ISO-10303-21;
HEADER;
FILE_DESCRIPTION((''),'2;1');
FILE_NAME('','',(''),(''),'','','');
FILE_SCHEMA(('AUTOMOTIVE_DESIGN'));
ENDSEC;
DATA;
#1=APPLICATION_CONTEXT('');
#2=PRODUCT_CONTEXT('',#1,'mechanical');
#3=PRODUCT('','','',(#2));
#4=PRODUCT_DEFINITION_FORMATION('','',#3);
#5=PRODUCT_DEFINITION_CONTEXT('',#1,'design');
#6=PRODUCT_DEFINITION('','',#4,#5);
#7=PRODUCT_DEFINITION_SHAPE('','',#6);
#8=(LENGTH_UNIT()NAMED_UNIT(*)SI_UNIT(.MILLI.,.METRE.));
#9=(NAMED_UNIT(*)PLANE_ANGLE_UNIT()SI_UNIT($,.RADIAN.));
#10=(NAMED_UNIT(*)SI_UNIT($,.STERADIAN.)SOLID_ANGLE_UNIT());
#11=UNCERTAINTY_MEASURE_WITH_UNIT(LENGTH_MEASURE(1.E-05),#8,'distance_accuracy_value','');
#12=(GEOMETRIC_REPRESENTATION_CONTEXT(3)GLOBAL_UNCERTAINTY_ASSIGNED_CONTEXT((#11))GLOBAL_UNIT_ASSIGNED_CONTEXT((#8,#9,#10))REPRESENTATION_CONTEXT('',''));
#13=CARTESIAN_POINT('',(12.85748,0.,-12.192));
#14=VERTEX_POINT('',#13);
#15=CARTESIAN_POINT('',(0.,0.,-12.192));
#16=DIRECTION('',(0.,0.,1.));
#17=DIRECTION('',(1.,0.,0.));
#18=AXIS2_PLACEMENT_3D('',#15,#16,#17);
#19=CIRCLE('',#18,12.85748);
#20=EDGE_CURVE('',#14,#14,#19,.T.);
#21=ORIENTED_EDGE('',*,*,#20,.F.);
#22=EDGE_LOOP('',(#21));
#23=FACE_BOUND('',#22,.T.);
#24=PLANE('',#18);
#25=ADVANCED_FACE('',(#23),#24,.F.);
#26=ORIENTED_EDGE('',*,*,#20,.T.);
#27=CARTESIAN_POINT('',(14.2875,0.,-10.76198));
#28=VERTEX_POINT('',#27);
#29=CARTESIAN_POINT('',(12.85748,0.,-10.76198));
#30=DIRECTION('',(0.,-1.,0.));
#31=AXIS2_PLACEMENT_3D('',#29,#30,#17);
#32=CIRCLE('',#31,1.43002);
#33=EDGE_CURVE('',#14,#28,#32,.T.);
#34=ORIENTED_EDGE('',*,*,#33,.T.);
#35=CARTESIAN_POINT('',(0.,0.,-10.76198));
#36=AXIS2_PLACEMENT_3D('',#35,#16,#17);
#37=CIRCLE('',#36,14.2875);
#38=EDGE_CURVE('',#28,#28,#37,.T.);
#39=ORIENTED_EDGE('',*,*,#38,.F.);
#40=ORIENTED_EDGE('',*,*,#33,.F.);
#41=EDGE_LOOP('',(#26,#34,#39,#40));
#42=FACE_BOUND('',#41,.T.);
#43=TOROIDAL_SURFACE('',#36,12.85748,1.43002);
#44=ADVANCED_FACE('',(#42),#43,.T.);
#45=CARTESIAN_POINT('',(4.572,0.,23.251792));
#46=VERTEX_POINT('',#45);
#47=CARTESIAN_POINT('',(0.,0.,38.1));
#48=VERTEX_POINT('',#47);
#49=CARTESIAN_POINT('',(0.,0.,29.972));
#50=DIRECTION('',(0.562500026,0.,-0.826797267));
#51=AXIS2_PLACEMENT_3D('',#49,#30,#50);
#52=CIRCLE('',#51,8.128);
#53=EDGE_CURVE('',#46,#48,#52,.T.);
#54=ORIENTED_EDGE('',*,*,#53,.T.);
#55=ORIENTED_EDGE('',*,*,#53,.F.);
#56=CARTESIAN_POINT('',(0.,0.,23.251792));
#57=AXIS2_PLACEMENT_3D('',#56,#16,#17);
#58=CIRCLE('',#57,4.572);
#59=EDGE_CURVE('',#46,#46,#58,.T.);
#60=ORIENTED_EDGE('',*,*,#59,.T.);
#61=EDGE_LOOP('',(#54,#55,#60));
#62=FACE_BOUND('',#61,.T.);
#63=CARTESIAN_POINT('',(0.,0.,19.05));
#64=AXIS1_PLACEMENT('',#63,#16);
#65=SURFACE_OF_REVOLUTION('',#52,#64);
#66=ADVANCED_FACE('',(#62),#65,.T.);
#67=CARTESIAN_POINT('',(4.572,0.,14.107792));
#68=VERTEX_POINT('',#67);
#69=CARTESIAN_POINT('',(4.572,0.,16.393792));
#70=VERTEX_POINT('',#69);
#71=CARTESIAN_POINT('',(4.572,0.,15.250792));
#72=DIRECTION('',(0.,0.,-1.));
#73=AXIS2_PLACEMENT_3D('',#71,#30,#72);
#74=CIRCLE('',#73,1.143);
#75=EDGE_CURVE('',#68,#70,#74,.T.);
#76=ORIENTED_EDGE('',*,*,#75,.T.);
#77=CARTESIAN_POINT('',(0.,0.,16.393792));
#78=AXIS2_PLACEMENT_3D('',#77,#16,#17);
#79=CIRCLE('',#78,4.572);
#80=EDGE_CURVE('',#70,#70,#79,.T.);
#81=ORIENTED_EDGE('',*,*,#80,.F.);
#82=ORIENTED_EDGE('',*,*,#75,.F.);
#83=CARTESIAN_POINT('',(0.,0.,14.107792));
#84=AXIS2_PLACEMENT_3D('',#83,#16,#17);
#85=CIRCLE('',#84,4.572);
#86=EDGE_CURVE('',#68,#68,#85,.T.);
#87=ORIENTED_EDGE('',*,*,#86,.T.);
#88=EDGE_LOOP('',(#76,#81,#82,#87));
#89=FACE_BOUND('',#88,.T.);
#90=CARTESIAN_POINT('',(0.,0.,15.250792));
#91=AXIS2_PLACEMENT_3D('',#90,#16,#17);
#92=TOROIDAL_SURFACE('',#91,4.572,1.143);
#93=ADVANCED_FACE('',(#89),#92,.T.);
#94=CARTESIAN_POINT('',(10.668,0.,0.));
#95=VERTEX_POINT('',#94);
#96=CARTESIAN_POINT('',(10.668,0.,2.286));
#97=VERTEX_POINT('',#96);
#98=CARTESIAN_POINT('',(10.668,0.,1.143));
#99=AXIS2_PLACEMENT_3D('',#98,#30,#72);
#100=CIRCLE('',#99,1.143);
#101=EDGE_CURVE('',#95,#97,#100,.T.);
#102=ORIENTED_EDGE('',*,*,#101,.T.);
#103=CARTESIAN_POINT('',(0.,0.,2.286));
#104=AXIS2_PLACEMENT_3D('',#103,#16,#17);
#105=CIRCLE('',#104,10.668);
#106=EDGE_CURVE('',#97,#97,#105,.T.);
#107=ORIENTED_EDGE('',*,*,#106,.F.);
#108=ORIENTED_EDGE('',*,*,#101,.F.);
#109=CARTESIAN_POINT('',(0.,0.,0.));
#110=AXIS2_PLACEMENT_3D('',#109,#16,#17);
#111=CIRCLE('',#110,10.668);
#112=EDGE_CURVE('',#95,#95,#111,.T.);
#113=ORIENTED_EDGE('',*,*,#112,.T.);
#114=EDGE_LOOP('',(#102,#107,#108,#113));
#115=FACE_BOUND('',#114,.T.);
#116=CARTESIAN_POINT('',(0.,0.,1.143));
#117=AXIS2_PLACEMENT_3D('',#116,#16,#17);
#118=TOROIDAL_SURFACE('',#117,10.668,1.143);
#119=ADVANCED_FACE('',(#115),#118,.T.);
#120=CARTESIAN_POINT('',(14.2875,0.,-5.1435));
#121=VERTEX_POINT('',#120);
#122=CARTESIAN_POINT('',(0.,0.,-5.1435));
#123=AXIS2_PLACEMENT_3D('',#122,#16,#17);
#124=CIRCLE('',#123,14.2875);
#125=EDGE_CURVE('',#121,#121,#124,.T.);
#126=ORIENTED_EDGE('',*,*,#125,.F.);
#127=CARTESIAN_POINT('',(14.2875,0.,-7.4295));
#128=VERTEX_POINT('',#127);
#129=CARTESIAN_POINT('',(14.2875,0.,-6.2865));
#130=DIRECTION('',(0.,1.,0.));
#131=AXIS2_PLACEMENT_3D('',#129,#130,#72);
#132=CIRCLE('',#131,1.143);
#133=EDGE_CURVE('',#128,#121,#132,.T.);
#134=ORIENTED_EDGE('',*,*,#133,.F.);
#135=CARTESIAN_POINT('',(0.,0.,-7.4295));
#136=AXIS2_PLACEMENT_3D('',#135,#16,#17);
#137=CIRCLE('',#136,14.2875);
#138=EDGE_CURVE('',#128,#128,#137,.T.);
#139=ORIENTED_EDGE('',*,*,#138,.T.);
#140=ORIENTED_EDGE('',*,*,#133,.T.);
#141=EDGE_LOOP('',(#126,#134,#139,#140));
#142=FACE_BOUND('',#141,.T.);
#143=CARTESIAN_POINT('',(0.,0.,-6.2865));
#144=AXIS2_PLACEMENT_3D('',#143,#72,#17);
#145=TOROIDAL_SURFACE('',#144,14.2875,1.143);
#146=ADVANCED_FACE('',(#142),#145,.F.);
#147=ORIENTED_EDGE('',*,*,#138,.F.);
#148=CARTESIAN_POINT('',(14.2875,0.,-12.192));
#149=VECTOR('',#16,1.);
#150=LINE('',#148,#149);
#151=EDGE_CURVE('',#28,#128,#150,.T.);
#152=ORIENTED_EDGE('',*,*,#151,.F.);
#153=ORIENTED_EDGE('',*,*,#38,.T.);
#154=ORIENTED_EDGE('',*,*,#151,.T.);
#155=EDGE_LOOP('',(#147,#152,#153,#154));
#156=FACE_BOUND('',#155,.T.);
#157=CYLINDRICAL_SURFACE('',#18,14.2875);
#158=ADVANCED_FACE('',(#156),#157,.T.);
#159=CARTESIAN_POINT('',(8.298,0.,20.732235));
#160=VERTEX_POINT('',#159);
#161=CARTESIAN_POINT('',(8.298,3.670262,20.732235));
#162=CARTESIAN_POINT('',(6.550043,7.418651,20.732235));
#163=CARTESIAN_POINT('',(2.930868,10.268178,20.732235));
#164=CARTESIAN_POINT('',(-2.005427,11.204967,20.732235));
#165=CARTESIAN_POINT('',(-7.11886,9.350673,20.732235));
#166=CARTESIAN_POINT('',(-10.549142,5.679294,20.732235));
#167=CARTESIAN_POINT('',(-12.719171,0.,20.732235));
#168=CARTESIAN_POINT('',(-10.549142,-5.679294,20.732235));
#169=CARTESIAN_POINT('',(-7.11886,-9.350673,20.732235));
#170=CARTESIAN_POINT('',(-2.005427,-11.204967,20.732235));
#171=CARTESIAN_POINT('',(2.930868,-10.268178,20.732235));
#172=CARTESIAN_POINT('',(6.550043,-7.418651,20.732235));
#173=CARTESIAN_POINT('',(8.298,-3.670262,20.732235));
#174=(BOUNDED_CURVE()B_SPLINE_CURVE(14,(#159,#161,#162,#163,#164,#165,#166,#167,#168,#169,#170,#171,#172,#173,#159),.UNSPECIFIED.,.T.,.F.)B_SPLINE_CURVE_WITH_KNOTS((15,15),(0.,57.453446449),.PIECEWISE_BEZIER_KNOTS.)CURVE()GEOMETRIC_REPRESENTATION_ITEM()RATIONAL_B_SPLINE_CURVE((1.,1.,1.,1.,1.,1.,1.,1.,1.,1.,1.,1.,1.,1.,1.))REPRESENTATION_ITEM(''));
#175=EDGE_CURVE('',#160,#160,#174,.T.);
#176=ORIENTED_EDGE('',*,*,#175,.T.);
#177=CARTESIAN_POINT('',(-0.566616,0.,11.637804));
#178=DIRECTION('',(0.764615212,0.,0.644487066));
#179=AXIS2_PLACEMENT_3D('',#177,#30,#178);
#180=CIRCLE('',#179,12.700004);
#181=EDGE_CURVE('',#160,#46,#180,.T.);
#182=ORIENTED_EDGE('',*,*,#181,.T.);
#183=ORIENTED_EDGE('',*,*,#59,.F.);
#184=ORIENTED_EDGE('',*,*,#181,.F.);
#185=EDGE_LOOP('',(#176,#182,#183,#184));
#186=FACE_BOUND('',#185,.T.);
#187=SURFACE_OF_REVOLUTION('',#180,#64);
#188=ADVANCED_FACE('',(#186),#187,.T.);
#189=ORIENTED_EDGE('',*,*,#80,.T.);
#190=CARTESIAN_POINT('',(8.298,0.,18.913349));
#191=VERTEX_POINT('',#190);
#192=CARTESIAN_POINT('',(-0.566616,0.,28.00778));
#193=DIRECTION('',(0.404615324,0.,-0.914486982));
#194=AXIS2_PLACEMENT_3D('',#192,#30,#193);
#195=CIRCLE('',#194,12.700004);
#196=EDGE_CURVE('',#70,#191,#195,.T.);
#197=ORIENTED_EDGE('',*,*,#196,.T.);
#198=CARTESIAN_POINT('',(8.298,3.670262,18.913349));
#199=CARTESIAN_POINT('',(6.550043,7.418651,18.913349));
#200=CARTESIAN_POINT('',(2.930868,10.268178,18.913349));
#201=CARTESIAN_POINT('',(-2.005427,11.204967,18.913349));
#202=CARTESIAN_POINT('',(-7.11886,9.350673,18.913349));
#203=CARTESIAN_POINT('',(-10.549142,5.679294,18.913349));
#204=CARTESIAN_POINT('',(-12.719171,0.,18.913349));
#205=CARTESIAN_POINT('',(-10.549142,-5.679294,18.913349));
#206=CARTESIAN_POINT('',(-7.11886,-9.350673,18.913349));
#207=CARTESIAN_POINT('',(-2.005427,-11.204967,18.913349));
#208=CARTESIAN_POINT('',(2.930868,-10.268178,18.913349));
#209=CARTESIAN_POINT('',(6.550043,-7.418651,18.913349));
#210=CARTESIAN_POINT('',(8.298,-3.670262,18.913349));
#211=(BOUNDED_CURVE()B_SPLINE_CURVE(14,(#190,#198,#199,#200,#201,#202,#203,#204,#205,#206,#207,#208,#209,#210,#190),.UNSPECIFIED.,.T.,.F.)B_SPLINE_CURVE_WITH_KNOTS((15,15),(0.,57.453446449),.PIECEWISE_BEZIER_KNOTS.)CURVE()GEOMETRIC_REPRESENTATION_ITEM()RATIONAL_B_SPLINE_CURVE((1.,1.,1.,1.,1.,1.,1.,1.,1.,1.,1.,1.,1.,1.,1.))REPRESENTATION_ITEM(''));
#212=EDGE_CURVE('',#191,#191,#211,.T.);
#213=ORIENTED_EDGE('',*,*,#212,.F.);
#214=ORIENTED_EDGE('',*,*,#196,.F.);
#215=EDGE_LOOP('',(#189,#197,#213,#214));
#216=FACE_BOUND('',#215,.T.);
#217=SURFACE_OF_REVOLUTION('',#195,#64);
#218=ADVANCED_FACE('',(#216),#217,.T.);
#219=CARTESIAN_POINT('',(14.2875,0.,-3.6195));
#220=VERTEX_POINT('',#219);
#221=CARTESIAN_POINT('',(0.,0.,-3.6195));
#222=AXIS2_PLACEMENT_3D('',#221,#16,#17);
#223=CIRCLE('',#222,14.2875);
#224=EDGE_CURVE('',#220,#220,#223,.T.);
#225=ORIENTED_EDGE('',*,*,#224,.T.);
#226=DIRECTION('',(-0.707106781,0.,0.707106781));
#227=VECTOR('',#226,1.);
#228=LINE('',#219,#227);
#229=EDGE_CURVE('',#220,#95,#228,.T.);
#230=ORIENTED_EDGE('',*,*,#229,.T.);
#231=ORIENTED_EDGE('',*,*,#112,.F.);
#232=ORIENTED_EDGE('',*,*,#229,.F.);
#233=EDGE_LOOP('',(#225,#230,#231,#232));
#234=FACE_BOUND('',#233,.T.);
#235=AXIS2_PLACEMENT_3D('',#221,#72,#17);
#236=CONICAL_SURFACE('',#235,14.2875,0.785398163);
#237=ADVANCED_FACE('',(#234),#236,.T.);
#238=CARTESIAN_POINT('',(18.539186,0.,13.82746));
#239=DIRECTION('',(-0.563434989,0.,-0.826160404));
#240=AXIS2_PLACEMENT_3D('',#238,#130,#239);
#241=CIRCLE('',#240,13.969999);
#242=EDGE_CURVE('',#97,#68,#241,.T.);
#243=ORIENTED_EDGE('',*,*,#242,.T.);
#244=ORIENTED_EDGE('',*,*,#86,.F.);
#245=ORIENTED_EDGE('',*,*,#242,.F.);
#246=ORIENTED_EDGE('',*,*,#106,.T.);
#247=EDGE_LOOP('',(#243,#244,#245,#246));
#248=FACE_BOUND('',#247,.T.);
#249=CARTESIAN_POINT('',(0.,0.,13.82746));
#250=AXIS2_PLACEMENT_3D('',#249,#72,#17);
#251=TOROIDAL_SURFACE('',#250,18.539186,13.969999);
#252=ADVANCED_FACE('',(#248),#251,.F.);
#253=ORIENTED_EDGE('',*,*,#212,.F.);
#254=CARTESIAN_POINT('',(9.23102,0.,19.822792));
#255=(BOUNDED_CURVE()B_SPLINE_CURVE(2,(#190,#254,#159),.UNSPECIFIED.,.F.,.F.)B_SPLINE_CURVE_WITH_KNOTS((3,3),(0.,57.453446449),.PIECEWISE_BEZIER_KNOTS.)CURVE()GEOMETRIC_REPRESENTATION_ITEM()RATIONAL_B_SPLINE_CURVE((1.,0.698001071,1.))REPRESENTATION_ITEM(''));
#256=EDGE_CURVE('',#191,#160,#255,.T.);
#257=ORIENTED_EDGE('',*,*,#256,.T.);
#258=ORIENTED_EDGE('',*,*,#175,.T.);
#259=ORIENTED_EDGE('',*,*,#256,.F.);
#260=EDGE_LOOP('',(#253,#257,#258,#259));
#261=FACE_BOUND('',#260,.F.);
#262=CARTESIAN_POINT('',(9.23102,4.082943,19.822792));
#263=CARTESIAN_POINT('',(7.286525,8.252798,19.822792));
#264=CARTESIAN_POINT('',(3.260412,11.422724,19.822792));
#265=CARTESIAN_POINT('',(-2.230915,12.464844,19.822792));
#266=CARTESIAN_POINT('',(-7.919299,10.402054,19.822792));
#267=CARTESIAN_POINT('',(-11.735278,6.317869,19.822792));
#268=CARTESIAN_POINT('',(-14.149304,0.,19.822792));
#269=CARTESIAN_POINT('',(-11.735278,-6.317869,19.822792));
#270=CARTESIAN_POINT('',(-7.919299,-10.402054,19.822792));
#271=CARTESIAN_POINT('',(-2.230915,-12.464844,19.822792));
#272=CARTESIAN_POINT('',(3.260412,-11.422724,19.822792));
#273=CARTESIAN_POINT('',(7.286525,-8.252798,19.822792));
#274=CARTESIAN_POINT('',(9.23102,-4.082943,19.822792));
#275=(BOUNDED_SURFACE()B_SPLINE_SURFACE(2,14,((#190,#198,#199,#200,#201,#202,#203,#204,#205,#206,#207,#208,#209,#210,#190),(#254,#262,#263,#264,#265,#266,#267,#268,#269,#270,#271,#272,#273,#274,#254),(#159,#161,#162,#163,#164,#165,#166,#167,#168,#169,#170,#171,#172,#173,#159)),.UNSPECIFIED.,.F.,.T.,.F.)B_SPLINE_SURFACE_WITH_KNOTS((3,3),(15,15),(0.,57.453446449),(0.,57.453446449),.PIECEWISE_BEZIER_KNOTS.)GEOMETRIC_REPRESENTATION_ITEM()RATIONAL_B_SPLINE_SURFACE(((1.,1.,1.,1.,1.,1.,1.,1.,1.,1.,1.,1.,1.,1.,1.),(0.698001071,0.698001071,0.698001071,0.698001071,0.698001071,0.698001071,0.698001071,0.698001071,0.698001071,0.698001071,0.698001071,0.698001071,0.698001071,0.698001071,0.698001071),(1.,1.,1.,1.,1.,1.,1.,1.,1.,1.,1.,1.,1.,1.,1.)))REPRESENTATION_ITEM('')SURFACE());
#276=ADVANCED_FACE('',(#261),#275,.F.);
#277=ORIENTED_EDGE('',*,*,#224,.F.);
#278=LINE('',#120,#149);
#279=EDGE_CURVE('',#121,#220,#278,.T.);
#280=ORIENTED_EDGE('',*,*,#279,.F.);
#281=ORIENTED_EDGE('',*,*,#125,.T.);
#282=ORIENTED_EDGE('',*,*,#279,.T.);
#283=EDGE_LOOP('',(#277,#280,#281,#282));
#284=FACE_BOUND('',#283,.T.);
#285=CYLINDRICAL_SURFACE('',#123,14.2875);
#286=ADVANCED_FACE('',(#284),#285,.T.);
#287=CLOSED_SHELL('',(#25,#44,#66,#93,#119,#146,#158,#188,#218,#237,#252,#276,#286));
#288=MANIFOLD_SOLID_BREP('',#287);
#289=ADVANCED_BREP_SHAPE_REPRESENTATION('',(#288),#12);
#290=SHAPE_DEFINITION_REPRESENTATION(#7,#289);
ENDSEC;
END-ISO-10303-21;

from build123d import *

# Parameters (mm, degrees)
F2_R = 1.43002
F5_R = 1.27


with BuildPart() as f1:
    # F0 (on Front) → F1 (revolve)
    with BuildSketch(Plane.XZ):
        with BuildLine():
            Line((10.668, 0), (0, 0))
            Line((0, 0), (0, -12.192))
            Line((0, -12.192), (14.2875, -12.192))
            Line((14.2875, -12.192), (14.2875, -7.4295))
            ThreePointArc((14.2875, -7.4295), (13.1445, -6.2865), (14.2875, -5.1435))
            Line((14.2875, -5.1435), (14.2875, -3.6195))
            Line((14.2875, -3.6195), (10.668, 0))
        make_face()
    revolve(axis=Axis((0, 0, -6.096), (0, 0, 1)))

    # F2
    f2_edges = [f1.edges().sort_by_distance(p)[0] for p in [
        (-14.2875, 0, -12.192),
    ]]
    fillet(f2_edges, radius=F2_R)

    # F3 (on Front) → F4 (revolve)
    with BuildSketch(Plane.XZ):
        with BuildLine():
            Line((0, 0), (10.668, 0))
            ThreePointArc((10.668, 0), (11.811, 1.143), (10.668, 2.286))
            ThreePointArc((10.668, 2.286), (6.122773, 7.424839), (4.572, 14.107792))
            ThreePointArc((4.572, 14.107792), (5.715, 15.250792), (4.572, 16.393792))
            ThreePointArc((4.572, 16.393792), (7.053386, 17.847777), (9.144, 19.822792))
            ThreePointArc((9.144, 19.822792), (7.053386, 21.797807), (4.572, 23.251792))
            ThreePointArc((4.572, 23.251792), (7.768083, 32.363917), (0, 38.1))
            Line((0, 38.1), (0, 0))
        make_face()
    revolve(axis=Axis((0, 0, 19.05), (0, 0, 1)))

    # F5
    f5_edges = [f1.edges().sort_by_distance(p)[0] for p in [
        (-9.144, 0, 19.822792),
    ]]
    fillet(f5_edges, radius=F5_R)


solid = f1.part
